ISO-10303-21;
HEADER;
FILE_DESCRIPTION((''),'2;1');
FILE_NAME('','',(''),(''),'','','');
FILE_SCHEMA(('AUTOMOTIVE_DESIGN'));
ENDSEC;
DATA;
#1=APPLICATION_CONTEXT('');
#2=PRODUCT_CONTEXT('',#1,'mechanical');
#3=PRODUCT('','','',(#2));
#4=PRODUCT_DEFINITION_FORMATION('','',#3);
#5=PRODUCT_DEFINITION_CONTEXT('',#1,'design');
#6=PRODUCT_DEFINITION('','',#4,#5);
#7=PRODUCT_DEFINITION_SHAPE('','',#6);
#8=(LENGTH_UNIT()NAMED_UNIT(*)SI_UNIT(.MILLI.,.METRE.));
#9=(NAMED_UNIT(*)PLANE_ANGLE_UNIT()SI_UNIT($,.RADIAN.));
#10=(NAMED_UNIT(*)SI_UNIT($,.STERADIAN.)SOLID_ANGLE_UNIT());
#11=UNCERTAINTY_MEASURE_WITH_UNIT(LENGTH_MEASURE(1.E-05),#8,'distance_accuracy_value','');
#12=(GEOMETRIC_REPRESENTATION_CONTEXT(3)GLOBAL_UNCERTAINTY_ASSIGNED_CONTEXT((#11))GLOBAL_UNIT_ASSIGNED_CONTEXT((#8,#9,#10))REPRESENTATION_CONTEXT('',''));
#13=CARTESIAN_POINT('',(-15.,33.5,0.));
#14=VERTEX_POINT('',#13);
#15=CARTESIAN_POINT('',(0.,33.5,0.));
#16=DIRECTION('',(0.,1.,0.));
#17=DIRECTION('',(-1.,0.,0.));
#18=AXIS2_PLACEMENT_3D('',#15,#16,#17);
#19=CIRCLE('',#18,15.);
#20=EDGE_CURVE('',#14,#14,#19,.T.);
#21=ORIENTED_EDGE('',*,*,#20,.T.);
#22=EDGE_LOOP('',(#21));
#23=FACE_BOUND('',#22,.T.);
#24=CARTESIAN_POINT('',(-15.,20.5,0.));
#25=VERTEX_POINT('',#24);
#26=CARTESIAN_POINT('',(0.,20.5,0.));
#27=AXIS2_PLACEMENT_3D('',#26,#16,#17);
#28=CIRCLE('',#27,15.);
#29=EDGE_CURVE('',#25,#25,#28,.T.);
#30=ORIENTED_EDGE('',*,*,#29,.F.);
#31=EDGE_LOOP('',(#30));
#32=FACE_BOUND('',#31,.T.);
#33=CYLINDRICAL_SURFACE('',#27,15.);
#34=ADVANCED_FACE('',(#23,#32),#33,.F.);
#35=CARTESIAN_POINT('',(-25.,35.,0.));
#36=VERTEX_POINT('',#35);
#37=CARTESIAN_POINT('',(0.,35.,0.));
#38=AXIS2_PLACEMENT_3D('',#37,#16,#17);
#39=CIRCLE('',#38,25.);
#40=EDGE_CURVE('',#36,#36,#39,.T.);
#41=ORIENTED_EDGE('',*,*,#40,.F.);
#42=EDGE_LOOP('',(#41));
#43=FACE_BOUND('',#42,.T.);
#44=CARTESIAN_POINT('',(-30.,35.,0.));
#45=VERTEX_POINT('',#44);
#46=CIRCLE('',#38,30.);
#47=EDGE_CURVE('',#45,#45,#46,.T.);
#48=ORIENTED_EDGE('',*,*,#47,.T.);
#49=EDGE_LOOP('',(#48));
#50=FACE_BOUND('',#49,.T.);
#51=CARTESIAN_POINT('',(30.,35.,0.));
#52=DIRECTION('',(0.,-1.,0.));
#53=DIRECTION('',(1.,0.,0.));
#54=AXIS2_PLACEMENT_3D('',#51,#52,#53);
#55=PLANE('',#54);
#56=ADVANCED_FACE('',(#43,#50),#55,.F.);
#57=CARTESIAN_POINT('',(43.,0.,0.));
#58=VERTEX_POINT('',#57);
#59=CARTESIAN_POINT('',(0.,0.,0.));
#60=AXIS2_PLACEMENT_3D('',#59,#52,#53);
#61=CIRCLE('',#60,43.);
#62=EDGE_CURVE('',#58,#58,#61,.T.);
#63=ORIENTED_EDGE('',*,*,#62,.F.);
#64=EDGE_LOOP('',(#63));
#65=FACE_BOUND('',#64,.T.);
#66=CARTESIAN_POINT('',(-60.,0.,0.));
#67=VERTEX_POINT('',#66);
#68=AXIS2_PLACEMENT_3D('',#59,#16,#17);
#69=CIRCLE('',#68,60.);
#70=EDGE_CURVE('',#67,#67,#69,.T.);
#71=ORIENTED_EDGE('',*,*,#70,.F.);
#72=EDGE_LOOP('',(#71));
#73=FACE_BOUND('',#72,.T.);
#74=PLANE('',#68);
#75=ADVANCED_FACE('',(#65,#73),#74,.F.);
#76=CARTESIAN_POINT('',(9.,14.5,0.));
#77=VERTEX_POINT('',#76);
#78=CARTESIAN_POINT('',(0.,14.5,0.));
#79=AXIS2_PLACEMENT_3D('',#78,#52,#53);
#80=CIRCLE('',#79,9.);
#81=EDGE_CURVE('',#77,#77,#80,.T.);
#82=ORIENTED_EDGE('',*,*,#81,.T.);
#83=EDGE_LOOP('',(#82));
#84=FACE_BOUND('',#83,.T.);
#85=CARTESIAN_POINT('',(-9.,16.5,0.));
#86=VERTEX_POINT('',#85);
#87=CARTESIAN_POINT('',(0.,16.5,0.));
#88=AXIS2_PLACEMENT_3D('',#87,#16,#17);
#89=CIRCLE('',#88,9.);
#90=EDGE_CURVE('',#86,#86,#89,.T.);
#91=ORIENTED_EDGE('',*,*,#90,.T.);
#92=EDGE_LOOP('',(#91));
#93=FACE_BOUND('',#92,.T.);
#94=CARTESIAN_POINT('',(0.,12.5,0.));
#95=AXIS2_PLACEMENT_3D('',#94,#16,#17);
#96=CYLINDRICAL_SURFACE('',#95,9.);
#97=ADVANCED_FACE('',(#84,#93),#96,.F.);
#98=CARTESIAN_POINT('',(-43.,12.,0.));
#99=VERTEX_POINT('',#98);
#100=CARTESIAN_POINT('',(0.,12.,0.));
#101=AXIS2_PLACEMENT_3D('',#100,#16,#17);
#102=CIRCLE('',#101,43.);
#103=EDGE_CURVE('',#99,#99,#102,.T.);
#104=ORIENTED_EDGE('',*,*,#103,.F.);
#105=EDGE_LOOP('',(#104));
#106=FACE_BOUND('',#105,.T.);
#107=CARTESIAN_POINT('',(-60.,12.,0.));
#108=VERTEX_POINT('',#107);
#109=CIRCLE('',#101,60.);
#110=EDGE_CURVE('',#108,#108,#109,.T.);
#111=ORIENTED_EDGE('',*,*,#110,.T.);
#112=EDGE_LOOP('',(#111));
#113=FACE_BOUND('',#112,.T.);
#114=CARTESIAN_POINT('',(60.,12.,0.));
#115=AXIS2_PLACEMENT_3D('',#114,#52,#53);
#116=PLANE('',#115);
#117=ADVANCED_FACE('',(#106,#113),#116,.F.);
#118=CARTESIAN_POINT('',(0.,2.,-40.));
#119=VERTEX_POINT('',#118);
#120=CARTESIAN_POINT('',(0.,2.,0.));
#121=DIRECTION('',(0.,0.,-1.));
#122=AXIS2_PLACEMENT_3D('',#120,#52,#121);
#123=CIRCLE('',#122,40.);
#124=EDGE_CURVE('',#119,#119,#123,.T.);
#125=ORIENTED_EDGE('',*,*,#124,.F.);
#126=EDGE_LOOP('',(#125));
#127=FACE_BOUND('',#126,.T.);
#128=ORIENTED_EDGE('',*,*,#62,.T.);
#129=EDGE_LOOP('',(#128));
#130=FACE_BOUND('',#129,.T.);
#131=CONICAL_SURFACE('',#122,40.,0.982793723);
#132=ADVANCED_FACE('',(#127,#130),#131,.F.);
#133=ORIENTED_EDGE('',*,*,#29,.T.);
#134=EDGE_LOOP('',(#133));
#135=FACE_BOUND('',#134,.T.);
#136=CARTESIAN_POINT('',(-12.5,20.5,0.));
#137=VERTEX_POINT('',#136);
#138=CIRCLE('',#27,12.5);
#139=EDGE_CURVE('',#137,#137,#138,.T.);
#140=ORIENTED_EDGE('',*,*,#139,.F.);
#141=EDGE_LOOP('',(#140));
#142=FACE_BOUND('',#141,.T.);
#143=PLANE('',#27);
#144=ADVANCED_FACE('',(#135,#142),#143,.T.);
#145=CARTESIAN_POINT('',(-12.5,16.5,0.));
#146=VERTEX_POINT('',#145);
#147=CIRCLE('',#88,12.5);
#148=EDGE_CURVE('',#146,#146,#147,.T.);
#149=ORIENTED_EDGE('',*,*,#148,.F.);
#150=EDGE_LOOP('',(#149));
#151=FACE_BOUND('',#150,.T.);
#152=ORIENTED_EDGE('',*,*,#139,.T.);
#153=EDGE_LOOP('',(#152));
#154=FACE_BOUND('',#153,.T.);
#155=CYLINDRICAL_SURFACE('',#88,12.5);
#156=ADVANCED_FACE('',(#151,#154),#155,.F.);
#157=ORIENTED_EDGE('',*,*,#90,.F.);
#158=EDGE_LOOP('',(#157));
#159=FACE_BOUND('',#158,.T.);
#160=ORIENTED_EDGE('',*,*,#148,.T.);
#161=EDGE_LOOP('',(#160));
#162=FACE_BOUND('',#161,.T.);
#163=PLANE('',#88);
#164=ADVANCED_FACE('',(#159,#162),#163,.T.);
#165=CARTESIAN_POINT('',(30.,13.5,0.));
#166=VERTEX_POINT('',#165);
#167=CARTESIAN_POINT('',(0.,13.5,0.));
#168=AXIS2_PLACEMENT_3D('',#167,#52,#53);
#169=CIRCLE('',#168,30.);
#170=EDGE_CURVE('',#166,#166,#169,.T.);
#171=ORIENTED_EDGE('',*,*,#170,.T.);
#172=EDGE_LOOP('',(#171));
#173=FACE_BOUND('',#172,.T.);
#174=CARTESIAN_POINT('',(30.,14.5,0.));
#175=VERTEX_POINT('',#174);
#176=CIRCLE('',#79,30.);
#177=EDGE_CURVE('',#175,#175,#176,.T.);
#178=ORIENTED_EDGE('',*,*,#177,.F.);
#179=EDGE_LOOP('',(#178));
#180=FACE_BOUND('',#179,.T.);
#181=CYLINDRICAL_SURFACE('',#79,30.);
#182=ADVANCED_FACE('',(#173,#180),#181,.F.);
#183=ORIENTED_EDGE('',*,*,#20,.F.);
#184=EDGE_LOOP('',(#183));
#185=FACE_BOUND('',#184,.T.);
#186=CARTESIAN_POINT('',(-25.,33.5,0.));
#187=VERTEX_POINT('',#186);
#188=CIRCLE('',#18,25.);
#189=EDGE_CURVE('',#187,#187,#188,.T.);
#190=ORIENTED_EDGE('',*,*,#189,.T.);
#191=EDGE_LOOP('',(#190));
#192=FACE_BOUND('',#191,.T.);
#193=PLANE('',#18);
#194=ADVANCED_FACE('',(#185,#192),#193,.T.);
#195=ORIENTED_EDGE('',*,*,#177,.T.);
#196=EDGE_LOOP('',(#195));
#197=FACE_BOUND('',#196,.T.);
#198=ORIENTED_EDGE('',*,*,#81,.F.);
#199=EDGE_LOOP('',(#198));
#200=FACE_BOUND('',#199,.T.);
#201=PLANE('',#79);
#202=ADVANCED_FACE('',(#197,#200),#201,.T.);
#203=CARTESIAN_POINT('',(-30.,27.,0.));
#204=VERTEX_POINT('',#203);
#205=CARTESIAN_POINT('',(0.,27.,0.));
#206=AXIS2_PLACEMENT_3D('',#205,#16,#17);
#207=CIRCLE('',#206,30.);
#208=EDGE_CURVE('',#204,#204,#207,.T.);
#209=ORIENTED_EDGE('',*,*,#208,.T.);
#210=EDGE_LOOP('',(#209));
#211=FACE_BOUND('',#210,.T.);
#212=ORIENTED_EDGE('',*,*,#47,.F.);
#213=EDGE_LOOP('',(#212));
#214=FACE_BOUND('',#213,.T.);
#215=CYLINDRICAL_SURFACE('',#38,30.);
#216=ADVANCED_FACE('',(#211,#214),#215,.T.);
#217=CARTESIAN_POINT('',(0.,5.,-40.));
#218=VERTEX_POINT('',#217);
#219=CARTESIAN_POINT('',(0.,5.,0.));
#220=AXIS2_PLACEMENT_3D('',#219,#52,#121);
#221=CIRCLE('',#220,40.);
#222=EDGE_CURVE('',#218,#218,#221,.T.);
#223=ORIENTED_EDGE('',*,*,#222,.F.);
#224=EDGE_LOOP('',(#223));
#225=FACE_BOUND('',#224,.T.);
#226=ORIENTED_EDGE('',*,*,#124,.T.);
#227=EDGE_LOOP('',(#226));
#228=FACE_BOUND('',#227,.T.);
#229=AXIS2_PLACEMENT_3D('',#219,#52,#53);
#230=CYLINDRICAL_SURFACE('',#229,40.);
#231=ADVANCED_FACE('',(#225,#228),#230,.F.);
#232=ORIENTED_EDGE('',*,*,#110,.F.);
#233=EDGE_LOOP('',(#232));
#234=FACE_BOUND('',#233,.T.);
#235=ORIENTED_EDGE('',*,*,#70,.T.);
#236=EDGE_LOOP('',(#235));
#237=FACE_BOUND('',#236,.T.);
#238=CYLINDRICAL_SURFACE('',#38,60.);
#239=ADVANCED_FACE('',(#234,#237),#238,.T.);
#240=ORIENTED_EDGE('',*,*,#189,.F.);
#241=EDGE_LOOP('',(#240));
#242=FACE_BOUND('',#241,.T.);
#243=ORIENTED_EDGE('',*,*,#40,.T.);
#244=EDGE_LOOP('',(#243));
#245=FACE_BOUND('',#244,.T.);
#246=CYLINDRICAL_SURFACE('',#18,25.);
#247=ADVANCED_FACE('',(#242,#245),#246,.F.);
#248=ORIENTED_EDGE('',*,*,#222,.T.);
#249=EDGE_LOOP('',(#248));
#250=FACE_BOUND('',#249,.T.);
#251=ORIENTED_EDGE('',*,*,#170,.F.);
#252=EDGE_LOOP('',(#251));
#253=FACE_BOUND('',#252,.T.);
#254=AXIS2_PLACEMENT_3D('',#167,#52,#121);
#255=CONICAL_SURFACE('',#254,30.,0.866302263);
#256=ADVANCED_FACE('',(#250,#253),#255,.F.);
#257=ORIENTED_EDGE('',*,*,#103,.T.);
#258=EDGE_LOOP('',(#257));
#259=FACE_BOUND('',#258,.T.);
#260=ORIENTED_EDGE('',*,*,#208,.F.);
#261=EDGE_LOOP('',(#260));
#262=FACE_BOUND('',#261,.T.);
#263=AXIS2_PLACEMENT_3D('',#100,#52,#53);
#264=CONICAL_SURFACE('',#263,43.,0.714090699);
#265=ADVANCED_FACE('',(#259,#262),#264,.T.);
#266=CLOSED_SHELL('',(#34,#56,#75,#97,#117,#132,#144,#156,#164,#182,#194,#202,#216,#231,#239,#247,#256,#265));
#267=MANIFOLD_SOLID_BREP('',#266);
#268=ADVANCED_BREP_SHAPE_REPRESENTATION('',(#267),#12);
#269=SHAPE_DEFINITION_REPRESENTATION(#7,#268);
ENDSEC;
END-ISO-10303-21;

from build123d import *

# Parameters (mm, degrees)
CROQUIS2_R            = 43
CORTAR_EXTRUIR1_DEPTH = 2
CROQUIS4_R            = 40
CORTAR_EXTRUIR2_DEPTH = 3
CROQUIS6_R            = 30
CORTAR_EXTRUIR3_DEPTH = 8.5
CROQUIS8_R            = 30
CORTAR_EXTRUIR4_DEPTH = 1
CROQUIS9_R            = 25
CORTAR_EXTRUIR5_DEPTH = 1.5
CROQUIS10_R           = 15
CORTAR_EXTRUIR6_DEPTH = 13
CROQUIS11_R           = 12.5
CORTAR_EXTRUIR7_DEPTH = 18.5
CROQUIS12_R           = 9
CORTAR_EXTRUIR8_DEPTH = 22.5


with BuildPart() as part:
    # Croquis1 → Revolución1 (revolve)
    with BuildSketch(Plane.XY):
        Polygon((0, 0), (60, 0), (60, 12), (43, 12), (30, 27), (30, 35), (0, 35), align=None)
    revolve(axis=Axis((0, 35, 0), (0, -1, 0)))

    # Croquis2 → Cortar-Extruir1 (cut)
    with BuildSketch(Plane.XZ):
        Circle(CROQUIS2_R)
    extrude(amount=-CORTAR_EXTRUIR1_DEPTH, mode=Mode.SUBTRACT)

    # Croquis4 → Cortar-Extruir2 (cut)
    with BuildSketch(Plane.XZ.offset(-2)):
        Circle(CROQUIS4_R)
    extrude(amount=-CORTAR_EXTRUIR2_DEPTH, mode=Mode.SUBTRACT)

    # Croquis5 → Revolución2 (revolve)
    with BuildSketch(Plane.XY):
        Polygon((-40, 2), (-43, 0), (-43, 2), align=None)
    revolve(axis=Axis((0, 0, 0), (0, 1, 0)))

    # Croquis6 → Cortar-Extruir3 (cut)
    with BuildSketch(Plane.XZ.offset(-5)):
        Circle(CROQUIS6_R)
    extrude(amount=-CORTAR_EXTRUIR3_DEPTH, mode=Mode.SUBTRACT)

    # Croquis7 → Cortar-Revolución1 (revolve, cut)
    with BuildSketch(Plane.XY):
        Polygon((-40, 5), (-30, 5), (-30, 13.5), align=None)
    revolve(axis=Axis((0, 0, 0), (0, 1, 0)), mode=Mode.SUBTRACT)

    # Croquis8 → Cortar-Extruir4 (cut)
    with BuildSketch(Plane.XZ.offset(-13.5)):
        Circle(CROQUIS8_R)
    extrude(amount=-CORTAR_EXTRUIR4_DEPTH, mode=Mode.SUBTRACT)

    # Croquis9 → Cortar-Extruir5 (cut)
    with BuildSketch(Plane(origin=(0, 35, 0), x_dir=(1, 0, 0), z_dir=(0, 1, 0))):
        Circle(CROQUIS9_R)
    extrude(amount=-CORTAR_EXTRUIR5_DEPTH, mode=Mode.SUBTRACT)

    # Croquis10 → Cortar-Extruir6 (cut)
    with BuildSketch(Plane(origin=(0, 33.5, 0), x_dir=(1, 0, 0), z_dir=(0, 1, 0))):
        Circle(CROQUIS10_R)
    extrude(amount=-CORTAR_EXTRUIR6_DEPTH, mode=Mode.SUBTRACT)

    # Croquis11 → Cortar-Extruir7 (cut)
    with BuildSketch(Plane(origin=(0, 35, 0), x_dir=(1, 0, 0), z_dir=(0, 1, 0))):
        Circle(CROQUIS11_R)
    extrude(amount=-CORTAR_EXTRUIR7_DEPTH, mode=Mode.SUBTRACT)

    # Croquis12 → Cortar-Extruir8 (cut)
    with BuildSketch(Plane(origin=(0, 35, 0), x_dir=(1, 0, 0), z_dir=(0, 1, 0))):
        Circle(CROQUIS12_R)
    extrude(amount=-CORTAR_EXTRUIR8_DEPTH, mode=Mode.SUBTRACT)


solid = part.part
